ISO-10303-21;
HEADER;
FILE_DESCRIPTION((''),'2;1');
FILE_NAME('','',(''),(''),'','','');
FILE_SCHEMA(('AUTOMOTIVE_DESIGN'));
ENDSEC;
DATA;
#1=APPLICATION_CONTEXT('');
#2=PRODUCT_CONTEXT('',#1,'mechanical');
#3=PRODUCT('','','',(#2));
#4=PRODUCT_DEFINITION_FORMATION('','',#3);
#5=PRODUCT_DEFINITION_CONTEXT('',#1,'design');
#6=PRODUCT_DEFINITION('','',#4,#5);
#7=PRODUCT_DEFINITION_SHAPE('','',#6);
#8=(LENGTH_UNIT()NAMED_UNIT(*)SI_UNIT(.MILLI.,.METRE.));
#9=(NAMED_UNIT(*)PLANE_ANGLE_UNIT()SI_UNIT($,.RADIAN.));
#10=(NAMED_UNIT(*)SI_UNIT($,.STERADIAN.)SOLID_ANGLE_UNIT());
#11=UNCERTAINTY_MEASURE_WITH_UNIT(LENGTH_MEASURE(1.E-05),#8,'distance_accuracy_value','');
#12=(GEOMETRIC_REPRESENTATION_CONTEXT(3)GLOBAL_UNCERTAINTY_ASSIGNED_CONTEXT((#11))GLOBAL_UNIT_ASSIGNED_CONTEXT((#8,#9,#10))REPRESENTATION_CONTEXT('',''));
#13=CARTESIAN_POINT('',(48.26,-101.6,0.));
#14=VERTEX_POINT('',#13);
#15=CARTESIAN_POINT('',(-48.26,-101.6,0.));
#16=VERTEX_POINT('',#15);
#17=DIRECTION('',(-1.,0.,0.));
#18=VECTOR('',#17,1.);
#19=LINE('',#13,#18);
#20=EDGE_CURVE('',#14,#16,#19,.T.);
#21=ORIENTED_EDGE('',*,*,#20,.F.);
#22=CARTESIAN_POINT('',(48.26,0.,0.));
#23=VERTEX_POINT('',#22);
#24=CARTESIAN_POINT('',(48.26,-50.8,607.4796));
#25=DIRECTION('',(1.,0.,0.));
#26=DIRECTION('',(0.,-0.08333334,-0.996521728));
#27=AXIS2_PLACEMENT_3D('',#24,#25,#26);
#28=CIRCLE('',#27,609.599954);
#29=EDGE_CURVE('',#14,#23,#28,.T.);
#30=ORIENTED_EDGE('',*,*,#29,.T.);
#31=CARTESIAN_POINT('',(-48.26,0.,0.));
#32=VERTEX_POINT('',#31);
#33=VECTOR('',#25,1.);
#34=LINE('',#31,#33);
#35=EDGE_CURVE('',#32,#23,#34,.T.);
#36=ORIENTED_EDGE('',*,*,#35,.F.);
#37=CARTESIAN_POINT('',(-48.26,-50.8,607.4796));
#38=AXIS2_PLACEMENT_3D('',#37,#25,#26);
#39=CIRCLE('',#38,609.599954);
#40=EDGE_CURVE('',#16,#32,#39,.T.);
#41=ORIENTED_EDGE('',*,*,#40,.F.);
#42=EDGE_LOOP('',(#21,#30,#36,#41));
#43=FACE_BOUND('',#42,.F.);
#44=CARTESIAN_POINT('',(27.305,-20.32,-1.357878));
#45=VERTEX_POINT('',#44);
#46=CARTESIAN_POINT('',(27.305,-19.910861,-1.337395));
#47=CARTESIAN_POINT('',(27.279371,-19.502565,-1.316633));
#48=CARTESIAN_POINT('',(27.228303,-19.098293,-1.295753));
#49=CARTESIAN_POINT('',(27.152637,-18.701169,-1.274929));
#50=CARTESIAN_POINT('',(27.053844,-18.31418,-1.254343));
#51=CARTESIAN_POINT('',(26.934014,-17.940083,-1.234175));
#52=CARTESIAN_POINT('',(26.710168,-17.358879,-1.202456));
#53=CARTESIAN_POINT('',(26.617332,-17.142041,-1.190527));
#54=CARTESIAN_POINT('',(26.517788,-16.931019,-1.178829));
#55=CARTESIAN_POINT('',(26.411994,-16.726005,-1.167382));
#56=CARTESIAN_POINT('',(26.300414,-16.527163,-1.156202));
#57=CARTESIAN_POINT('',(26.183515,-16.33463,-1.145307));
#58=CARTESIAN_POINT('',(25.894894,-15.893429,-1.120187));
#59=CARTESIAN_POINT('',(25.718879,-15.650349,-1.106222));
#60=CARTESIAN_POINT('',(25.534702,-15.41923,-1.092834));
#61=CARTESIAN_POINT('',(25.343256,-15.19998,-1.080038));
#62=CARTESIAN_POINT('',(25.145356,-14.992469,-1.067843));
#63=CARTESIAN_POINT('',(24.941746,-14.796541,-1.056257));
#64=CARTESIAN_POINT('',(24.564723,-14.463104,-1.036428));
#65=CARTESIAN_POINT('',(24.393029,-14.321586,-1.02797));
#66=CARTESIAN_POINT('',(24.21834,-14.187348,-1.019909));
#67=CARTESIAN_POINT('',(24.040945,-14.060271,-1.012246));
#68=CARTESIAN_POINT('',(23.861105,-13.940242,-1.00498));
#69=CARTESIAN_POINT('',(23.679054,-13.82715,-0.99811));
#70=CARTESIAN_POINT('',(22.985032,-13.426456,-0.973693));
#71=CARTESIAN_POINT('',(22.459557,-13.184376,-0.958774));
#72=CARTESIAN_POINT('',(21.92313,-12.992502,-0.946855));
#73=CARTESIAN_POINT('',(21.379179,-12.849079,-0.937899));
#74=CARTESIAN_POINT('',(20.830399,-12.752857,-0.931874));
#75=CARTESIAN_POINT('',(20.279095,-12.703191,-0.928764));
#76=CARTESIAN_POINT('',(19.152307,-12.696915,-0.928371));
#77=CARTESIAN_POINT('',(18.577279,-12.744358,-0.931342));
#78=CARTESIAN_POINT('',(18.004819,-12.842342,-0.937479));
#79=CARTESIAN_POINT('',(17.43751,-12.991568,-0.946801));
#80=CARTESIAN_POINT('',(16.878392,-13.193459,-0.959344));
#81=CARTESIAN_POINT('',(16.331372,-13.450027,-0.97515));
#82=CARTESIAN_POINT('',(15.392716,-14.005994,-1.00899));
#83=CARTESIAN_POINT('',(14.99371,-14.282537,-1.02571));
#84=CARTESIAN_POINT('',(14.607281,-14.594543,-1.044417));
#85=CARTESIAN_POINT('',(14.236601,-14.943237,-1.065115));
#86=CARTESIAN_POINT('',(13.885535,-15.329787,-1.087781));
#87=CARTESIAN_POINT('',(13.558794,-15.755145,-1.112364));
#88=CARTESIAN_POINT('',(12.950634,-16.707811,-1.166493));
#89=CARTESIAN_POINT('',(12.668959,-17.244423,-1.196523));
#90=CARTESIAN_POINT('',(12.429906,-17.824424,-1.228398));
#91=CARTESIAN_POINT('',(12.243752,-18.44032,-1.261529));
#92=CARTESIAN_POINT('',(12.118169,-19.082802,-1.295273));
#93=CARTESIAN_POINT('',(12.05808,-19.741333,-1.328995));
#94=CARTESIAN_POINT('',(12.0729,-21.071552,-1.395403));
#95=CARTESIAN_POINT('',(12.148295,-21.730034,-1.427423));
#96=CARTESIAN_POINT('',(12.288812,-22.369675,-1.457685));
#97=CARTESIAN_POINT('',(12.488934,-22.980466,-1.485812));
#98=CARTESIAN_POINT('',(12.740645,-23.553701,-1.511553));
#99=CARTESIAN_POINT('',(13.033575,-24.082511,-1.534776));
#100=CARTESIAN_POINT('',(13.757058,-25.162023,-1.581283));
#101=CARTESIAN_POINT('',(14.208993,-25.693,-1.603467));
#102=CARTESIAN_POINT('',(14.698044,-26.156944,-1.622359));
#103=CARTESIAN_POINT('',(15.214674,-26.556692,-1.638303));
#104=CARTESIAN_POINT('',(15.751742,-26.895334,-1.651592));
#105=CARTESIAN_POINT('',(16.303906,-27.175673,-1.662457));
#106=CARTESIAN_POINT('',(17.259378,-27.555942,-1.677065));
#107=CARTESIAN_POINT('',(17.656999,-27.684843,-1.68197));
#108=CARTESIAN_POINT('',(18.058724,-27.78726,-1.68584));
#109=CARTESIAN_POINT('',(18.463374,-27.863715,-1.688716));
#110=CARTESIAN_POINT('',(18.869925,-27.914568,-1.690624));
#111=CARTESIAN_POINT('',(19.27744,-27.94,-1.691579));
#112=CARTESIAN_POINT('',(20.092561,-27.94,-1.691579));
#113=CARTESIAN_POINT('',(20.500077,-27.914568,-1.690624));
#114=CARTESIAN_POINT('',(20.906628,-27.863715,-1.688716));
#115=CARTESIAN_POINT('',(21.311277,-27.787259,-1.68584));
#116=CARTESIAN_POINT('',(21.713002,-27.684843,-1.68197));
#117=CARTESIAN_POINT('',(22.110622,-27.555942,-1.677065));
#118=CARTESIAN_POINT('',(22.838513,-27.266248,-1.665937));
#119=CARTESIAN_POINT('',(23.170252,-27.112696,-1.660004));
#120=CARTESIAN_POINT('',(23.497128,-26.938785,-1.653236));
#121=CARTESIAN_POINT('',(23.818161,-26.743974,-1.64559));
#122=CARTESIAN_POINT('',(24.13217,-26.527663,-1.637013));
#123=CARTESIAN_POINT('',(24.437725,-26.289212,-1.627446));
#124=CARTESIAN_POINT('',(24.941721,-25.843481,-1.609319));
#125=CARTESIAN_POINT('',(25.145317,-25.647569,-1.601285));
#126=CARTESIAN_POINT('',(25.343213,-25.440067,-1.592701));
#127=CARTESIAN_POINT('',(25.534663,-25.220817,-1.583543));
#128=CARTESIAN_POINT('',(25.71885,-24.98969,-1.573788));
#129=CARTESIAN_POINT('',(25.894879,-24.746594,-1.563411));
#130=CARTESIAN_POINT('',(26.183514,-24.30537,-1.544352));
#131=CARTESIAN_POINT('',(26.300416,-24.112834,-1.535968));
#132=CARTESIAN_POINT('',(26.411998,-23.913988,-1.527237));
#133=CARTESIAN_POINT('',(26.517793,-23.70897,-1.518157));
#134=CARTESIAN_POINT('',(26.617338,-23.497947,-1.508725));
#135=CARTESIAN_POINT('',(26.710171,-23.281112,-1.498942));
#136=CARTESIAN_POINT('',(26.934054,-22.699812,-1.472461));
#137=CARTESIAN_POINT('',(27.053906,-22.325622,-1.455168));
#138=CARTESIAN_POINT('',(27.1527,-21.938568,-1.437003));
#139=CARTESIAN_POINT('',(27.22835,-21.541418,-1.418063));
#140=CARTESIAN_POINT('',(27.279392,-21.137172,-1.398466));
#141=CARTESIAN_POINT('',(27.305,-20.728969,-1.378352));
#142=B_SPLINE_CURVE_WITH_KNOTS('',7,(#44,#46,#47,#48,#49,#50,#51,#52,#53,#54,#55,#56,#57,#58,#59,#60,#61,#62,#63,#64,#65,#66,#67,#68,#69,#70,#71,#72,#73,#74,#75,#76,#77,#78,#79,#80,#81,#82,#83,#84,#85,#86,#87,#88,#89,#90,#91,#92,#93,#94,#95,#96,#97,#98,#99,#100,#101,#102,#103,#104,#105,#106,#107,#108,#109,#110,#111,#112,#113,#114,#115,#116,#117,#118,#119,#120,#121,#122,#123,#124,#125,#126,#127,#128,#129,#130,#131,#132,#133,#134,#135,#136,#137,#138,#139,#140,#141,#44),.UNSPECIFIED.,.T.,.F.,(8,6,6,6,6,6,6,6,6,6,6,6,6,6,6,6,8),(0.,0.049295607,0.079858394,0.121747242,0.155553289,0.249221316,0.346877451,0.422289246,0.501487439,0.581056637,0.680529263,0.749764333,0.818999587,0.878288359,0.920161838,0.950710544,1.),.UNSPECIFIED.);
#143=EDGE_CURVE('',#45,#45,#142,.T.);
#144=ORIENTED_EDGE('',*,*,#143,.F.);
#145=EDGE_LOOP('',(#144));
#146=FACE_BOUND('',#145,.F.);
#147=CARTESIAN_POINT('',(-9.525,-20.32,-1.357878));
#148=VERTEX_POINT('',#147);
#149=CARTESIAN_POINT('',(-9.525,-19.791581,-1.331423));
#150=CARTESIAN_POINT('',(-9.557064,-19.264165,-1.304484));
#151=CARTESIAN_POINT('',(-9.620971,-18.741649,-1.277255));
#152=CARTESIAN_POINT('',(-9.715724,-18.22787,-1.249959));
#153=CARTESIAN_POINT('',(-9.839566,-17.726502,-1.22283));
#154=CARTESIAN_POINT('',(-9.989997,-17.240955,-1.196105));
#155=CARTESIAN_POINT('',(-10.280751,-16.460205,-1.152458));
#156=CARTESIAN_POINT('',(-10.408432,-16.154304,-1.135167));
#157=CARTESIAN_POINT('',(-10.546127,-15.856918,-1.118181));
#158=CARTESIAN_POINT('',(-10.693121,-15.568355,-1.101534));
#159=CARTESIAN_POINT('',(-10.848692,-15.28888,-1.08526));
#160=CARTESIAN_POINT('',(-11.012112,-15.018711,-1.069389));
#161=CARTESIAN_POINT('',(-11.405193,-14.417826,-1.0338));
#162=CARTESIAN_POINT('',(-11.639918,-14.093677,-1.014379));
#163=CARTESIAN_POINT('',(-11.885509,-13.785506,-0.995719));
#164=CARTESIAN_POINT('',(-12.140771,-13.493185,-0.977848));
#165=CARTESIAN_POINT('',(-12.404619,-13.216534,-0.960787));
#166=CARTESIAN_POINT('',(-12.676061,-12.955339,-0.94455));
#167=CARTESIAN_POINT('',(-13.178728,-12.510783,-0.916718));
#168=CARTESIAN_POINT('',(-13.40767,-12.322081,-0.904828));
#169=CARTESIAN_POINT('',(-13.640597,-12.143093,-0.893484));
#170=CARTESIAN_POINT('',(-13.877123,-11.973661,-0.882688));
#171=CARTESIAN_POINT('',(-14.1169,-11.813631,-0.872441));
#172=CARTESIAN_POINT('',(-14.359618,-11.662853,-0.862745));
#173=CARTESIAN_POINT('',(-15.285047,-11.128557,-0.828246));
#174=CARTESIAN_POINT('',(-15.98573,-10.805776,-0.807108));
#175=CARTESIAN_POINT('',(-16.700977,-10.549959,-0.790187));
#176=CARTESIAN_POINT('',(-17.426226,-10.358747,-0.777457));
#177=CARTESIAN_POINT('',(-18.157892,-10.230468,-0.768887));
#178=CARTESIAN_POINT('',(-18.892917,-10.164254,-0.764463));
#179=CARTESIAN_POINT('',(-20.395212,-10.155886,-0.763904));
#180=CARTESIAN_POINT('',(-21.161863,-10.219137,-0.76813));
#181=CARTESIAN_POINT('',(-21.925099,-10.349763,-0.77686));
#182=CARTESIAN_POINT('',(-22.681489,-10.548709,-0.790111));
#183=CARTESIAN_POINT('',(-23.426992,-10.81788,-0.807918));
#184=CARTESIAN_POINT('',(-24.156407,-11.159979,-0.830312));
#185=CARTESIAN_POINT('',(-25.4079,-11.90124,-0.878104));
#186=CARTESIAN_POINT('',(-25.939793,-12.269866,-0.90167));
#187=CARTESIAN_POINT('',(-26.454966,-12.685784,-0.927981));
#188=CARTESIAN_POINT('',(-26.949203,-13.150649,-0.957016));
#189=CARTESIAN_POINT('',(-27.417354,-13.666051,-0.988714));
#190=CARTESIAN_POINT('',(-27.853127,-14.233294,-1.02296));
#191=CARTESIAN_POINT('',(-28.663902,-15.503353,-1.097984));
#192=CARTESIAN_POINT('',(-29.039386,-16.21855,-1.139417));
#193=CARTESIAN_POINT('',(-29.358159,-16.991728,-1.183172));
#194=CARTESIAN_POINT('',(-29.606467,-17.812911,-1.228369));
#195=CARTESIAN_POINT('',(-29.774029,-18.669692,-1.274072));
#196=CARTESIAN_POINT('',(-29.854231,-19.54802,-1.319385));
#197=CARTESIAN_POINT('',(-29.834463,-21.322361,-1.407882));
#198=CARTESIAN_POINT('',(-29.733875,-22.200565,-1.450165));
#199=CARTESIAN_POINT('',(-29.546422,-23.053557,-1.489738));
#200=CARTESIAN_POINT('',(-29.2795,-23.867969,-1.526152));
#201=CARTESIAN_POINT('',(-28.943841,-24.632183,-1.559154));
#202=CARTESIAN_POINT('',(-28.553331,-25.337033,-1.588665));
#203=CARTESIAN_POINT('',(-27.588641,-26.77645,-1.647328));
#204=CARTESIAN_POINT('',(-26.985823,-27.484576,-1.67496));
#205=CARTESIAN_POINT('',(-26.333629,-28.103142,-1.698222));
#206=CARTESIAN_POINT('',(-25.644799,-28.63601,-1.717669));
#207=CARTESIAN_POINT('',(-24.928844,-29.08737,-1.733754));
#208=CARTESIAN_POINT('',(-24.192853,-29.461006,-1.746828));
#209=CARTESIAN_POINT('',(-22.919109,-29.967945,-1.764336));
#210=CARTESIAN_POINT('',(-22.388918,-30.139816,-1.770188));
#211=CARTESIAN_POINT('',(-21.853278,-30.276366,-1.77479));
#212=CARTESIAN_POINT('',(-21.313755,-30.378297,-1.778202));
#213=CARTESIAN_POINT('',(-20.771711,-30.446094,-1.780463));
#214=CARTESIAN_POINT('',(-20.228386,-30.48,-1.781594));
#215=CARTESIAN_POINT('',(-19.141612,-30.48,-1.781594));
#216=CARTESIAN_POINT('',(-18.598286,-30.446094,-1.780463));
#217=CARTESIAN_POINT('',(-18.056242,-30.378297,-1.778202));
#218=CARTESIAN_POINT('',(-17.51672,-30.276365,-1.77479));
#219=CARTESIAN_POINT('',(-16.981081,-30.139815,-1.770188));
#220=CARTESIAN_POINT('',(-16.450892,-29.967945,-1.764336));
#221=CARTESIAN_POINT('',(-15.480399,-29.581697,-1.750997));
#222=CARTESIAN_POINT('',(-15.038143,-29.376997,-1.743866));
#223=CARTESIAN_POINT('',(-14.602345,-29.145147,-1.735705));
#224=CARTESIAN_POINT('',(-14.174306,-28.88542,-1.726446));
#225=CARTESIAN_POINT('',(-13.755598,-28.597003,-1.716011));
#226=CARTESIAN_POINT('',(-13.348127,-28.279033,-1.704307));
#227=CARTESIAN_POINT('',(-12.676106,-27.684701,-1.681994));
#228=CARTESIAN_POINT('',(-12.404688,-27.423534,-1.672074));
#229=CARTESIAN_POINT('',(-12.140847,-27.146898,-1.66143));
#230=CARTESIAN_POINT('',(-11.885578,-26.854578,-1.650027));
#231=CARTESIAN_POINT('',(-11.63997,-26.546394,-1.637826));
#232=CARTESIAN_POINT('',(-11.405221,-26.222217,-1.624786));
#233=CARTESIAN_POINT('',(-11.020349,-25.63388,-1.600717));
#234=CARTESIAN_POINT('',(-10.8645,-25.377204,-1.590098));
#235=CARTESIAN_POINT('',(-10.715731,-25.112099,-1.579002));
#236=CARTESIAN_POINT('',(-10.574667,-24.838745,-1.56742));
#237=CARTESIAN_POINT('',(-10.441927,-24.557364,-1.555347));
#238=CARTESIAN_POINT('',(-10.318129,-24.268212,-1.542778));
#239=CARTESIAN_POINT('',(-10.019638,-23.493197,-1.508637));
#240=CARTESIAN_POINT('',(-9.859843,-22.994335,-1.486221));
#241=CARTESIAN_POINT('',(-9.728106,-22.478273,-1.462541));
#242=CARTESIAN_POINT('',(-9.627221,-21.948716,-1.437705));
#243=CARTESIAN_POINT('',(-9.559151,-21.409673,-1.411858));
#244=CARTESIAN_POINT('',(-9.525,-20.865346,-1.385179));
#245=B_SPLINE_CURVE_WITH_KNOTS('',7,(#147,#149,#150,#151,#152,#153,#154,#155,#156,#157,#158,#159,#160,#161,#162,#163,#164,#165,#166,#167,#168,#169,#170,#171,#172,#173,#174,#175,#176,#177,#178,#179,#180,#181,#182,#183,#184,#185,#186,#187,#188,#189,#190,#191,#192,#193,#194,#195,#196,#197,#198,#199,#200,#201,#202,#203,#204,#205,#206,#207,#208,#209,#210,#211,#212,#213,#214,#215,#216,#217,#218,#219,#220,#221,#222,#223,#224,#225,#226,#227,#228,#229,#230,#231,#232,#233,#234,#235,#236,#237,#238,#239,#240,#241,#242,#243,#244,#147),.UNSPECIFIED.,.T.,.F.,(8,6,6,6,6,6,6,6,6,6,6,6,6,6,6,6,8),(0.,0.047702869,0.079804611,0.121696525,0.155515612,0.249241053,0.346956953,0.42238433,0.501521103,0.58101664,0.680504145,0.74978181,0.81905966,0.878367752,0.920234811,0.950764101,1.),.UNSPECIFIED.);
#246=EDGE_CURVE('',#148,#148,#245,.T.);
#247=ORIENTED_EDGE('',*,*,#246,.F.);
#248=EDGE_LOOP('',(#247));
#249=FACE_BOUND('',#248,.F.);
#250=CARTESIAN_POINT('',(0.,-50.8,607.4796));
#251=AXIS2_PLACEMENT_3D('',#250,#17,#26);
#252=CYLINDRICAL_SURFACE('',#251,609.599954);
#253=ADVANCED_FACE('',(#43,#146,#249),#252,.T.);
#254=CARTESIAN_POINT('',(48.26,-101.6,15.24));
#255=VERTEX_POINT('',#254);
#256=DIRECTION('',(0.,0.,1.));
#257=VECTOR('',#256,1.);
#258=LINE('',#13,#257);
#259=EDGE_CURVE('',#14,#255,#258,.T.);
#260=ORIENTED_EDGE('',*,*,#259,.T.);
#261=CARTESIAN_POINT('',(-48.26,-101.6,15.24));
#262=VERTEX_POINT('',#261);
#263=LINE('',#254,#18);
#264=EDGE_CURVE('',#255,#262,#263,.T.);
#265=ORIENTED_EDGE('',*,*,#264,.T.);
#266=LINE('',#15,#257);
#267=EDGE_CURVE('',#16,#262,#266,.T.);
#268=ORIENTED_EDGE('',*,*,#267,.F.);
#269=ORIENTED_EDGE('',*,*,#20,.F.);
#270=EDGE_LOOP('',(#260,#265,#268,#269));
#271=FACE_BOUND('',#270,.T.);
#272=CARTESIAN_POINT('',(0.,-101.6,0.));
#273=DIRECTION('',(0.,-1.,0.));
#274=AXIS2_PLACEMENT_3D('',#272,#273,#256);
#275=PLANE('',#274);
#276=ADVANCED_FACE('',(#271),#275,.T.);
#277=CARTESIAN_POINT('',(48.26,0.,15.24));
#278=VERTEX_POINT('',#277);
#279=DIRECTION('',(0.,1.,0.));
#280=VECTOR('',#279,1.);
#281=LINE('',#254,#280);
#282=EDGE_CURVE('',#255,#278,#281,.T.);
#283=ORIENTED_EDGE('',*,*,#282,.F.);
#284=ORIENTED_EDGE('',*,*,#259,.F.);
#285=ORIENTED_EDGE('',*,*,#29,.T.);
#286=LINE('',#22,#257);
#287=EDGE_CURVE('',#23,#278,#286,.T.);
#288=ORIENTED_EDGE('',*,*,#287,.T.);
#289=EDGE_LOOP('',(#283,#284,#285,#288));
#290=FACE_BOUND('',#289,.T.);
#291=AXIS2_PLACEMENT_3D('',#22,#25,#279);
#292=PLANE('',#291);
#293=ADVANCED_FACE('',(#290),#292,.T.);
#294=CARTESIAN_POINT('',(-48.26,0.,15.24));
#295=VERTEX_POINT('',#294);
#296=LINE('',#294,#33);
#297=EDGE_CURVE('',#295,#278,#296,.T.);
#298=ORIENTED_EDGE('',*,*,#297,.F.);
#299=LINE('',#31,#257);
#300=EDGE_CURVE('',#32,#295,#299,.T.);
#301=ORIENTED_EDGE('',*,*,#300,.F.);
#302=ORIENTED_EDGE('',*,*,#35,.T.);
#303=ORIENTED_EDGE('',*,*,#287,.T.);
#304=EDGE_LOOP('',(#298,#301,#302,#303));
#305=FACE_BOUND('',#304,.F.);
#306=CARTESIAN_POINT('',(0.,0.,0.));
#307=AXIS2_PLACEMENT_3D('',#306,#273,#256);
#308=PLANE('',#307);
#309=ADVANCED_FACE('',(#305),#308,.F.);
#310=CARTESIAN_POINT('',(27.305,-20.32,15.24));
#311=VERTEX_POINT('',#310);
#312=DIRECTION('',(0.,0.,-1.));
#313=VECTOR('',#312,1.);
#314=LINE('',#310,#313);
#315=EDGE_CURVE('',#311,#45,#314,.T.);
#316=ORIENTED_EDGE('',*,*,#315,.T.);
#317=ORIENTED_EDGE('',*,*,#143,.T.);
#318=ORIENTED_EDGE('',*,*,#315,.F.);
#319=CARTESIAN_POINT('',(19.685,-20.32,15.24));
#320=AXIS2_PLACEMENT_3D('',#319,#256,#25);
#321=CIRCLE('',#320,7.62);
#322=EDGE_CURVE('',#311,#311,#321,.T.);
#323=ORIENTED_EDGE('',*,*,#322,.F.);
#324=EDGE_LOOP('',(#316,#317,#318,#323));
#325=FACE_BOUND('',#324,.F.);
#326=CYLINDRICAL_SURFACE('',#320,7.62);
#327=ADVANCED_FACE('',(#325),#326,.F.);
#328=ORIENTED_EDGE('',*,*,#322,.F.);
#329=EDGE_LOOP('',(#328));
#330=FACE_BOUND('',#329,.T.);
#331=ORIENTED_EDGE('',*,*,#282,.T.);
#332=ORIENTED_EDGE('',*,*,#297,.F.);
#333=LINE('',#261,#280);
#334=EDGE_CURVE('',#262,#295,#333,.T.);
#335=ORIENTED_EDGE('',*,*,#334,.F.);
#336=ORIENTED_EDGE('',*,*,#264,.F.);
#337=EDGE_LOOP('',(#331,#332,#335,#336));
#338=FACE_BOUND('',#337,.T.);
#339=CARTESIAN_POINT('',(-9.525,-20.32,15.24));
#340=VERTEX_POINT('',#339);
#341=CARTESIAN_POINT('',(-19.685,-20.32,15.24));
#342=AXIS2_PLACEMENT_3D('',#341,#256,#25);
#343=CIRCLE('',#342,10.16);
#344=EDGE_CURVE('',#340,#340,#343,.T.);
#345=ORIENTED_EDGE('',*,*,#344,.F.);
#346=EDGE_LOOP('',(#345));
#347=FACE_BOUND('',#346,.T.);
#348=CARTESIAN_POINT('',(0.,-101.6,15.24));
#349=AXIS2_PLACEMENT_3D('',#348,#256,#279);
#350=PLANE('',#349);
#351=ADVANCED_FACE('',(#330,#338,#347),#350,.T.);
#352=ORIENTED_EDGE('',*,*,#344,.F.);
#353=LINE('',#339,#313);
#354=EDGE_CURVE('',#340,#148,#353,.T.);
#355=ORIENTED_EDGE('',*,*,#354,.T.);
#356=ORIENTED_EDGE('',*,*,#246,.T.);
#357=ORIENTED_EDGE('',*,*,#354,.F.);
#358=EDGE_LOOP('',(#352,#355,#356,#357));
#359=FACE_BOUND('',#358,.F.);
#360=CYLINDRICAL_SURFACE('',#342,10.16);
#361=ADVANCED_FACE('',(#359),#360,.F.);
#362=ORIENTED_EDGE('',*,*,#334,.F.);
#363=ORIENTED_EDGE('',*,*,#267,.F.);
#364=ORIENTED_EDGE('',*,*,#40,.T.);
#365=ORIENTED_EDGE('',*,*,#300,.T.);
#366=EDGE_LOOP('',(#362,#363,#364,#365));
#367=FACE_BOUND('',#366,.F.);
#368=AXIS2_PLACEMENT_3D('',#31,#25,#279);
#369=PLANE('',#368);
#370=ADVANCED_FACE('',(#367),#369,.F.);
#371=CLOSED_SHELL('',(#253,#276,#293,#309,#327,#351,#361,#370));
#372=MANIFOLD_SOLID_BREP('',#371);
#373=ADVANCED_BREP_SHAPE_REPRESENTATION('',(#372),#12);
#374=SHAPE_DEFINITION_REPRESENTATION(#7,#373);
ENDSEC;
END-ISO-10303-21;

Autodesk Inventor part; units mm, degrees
ref_plane "YZ Plane" through (0, 0, 0) normal (1, 0, 0) x (0, 1, 0)
ref_plane "XZ Plane" through (0, 0, 0) normal (0, 1, 0) x (-1, 0, 0)
ref_plane "XY Plane" through (0, 0, 0) normal (0, 0, 1) x (1, 0, 0)
sketch "Sketch1" plane through (0, 0, 0) normal (1, 0, 0) x (0, 1, 0)
  line L0 (0, 0) -> (0, 15.24)
  line L1 (0, 0) -> (-101.6, 0) construction
  arc A0 (-101.6, 0) -> (0, 0) centre (-50.8, 607.4796) ccw
  line L2 (-50.8, -2.1204) -> (-50.8, 0) construction
  line L3 (0, 15.24) -> (101.6, 15.24) construction
  arc A1 (0, 15.24) -> (101.6, 15.24) centre (50.8, 622.7196) ccw construction
  line L4 (-101.6, 0) -> (-101.6, 15.24)
  line L5 (-101.6, 15.24) -> (0, 15.24)
  dimension "d0" = 15.24
  dimension "d1" = 101.6
  dimension "d3" = 50.8
  dimension "d4" = 2.1204
  dimension "d5" = 609.6
  dimension "d6" = 101.6
  dimension "d7" = 609.6
extrude "Extrusion1" add sketch "Sketch1" along normal mid plane 96.52
sketch "Sketch2" plane through (-48.26, -101.6, 15.24) normal (0, 0, 1) x (1, 0, 0)
  line L0 (48.26, 101.6) -> (48.26, 0) construction
  line L1 (0, 0) -> (96.52, 0) construction
  line L2 (0, 0) -> (0, 101.6) construction
  line L3 (0, 81.28) -> (96.52, 81.28) construction
  circle A0 centre (28.575, 81.28) radius 10.16
  circle A1 centre (67.945, 81.28) radius 7.62
  line L4 (0, 101.6) -> (96.52, 101.6) projected
  dimension "d11" = 20.32
  dimension "d12" = 15.24
  dimension "d13" = 57.15
  dimension "d14" = 19.685
  dimension "d20" = 20.32
extrude "Extrusion2" cut sketch "Sketch2" against normal through all
ref_plane "Work Plane1" through (-48.26, -20.32, 15.24) normal (0, 1, 0) x (1, 0, 0)
equation "\"d0\" = sidingDepth"
equation "\"d1\" = sidingHeight"
equation "\"d5\" = radiusOfCurvature"
equation "\"d6\" = sidingHeight"
equation "\"d7\" = radiusOfCurvature"
equation "\"d9\" = overallWidth"
equation "\"d11\" = leftPipeDiameter"
equation "\"d12\" = rightPipeDiameter"
equation "\"d13\" = outerDistanceBetweenPipep"
equation "\"d14\" = centerOfLeftPipe"
equation "\"d20\" = centerLineOfPipes"
equation "\"sidingHeight\" = 101.6"
equation "\"sidingDepth\" = 15.24"
equation "\"radiusOfCurvature\" = 609.6"
equation "\"centerLineOfPipes\" = 20.32"
equation "\"outerDistanceBetweenPipep\" = 57.15"
equation "\"leftPipeDiameter\" = 20.32"
equation "\"rightPipeDiameter\" = 15.24"
equation "\"overallWidth\" = 96.52"
equation "\"centerOfLeftPipe\" = 19.685"
equation "\"d21\" = -centerLineOfPipes"
properties part number "waterSoftenerDrainPipes"
